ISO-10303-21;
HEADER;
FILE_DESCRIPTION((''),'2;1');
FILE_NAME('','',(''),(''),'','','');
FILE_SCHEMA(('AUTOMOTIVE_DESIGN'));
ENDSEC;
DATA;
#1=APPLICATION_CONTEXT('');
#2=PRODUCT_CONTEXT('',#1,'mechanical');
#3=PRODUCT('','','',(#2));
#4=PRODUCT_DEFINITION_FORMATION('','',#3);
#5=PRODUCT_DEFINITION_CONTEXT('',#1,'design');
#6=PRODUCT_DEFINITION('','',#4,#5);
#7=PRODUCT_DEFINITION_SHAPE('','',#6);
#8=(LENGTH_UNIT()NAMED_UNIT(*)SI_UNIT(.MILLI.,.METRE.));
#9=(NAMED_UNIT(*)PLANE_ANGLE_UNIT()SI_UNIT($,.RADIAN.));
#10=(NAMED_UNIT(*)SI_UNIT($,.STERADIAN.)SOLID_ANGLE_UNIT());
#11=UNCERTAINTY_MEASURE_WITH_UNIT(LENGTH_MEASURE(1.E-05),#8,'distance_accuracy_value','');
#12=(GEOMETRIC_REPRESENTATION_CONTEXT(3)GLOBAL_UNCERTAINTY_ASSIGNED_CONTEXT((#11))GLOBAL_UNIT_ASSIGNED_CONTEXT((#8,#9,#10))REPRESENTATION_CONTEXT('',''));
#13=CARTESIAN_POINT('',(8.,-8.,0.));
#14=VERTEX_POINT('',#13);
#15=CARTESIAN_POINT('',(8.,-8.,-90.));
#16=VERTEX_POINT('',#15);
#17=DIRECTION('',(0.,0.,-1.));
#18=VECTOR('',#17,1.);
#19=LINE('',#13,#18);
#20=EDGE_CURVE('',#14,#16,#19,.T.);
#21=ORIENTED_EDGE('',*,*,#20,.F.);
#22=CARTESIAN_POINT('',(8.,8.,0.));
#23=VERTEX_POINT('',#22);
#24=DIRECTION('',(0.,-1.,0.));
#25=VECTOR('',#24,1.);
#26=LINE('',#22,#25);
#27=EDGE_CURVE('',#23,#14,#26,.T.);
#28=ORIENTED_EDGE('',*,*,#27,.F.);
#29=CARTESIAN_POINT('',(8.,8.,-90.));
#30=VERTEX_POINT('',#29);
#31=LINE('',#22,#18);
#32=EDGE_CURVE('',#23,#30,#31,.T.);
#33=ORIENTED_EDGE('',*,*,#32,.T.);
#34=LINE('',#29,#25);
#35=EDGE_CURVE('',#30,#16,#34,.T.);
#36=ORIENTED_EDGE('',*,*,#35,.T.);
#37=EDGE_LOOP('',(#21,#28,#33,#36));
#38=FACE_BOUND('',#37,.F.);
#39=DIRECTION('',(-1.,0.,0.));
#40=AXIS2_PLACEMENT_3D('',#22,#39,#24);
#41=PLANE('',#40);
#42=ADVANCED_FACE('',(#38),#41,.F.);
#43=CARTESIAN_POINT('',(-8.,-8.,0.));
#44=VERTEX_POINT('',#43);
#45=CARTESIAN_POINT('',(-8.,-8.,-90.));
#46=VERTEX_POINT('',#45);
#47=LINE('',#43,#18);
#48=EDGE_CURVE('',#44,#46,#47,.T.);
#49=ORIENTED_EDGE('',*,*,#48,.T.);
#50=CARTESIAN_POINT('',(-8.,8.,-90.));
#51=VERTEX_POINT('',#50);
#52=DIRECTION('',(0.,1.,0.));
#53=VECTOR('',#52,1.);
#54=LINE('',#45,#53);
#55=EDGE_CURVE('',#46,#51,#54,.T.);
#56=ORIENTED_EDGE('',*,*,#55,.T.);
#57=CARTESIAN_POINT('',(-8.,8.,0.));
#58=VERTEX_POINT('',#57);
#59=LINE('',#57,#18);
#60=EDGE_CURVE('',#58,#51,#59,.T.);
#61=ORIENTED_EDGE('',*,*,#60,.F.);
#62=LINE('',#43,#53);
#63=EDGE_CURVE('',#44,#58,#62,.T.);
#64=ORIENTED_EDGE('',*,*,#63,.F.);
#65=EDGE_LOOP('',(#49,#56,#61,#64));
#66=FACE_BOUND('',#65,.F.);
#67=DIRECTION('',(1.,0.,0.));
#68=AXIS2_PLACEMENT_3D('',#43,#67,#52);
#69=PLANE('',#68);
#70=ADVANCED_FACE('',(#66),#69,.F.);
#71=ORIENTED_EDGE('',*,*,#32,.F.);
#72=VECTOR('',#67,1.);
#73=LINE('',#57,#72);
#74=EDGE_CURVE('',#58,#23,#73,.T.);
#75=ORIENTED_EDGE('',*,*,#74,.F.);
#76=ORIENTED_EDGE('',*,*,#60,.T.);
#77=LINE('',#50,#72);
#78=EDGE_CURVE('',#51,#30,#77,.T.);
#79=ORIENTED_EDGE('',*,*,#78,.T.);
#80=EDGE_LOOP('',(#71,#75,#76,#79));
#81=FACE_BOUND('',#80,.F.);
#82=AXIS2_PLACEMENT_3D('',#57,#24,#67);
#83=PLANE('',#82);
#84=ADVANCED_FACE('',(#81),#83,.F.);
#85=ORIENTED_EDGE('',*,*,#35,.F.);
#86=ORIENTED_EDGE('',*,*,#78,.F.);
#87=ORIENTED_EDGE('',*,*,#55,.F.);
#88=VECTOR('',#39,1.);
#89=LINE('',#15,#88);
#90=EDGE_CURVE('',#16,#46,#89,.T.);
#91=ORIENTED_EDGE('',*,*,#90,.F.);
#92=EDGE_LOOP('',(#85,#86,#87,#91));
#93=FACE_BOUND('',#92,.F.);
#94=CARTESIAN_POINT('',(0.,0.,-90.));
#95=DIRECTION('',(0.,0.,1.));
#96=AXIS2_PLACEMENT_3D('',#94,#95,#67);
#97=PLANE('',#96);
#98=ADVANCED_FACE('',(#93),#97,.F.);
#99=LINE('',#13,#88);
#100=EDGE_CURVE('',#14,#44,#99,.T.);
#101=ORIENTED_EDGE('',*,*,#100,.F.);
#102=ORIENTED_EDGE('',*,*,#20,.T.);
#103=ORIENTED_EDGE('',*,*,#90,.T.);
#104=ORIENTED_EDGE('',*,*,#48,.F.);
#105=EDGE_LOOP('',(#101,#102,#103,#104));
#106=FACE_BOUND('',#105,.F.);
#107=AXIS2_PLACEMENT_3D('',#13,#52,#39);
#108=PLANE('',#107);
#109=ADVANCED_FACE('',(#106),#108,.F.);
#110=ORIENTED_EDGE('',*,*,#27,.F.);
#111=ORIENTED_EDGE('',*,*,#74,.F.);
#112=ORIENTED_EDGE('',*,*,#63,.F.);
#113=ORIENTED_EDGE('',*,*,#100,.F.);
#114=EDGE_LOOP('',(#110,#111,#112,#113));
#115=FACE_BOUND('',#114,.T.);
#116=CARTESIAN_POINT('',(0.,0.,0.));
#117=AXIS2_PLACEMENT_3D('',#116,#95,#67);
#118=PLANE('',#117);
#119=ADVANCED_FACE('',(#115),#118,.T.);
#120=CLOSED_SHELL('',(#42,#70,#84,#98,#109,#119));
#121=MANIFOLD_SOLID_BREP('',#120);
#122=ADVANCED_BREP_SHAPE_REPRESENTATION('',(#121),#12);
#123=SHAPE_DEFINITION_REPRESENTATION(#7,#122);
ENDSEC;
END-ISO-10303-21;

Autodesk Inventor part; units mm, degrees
ref_plane "YZ Plane" through (0, 0, 0) normal (1, 0, 0) x (0, 1, 0)
ref_plane "XZ Plane" through (0, 0, 0) normal (0, 1, 0) x (-1, 0, 0)
ref_plane "XY Plane" through (0, 0, 0) normal (0, 0, 1) x (1, 0, 0)
sketch "Sketch1" plane through (0, 0, 0) normal (0, 0, 1) x (1, 0, 0)
  line L0 (-8, 8) -> (8, 8)
  line L1 (8, 8) -> (8, -8)
  line L2 (8, -8) -> (-8, -8)
  line L3 (-8, -8) -> (-8, 8)
  line L4 (-8, 8) -> (8, -8) construction
  line L5 (8, 8) -> (-8, -8) construction
  point P0 (0, 0)
  dimension "d0" = 16
  dimension "d1" = 16
extrude "Extrusion1" add sketch "Sketch1" against normal blind 90
properties part number "Molde"
